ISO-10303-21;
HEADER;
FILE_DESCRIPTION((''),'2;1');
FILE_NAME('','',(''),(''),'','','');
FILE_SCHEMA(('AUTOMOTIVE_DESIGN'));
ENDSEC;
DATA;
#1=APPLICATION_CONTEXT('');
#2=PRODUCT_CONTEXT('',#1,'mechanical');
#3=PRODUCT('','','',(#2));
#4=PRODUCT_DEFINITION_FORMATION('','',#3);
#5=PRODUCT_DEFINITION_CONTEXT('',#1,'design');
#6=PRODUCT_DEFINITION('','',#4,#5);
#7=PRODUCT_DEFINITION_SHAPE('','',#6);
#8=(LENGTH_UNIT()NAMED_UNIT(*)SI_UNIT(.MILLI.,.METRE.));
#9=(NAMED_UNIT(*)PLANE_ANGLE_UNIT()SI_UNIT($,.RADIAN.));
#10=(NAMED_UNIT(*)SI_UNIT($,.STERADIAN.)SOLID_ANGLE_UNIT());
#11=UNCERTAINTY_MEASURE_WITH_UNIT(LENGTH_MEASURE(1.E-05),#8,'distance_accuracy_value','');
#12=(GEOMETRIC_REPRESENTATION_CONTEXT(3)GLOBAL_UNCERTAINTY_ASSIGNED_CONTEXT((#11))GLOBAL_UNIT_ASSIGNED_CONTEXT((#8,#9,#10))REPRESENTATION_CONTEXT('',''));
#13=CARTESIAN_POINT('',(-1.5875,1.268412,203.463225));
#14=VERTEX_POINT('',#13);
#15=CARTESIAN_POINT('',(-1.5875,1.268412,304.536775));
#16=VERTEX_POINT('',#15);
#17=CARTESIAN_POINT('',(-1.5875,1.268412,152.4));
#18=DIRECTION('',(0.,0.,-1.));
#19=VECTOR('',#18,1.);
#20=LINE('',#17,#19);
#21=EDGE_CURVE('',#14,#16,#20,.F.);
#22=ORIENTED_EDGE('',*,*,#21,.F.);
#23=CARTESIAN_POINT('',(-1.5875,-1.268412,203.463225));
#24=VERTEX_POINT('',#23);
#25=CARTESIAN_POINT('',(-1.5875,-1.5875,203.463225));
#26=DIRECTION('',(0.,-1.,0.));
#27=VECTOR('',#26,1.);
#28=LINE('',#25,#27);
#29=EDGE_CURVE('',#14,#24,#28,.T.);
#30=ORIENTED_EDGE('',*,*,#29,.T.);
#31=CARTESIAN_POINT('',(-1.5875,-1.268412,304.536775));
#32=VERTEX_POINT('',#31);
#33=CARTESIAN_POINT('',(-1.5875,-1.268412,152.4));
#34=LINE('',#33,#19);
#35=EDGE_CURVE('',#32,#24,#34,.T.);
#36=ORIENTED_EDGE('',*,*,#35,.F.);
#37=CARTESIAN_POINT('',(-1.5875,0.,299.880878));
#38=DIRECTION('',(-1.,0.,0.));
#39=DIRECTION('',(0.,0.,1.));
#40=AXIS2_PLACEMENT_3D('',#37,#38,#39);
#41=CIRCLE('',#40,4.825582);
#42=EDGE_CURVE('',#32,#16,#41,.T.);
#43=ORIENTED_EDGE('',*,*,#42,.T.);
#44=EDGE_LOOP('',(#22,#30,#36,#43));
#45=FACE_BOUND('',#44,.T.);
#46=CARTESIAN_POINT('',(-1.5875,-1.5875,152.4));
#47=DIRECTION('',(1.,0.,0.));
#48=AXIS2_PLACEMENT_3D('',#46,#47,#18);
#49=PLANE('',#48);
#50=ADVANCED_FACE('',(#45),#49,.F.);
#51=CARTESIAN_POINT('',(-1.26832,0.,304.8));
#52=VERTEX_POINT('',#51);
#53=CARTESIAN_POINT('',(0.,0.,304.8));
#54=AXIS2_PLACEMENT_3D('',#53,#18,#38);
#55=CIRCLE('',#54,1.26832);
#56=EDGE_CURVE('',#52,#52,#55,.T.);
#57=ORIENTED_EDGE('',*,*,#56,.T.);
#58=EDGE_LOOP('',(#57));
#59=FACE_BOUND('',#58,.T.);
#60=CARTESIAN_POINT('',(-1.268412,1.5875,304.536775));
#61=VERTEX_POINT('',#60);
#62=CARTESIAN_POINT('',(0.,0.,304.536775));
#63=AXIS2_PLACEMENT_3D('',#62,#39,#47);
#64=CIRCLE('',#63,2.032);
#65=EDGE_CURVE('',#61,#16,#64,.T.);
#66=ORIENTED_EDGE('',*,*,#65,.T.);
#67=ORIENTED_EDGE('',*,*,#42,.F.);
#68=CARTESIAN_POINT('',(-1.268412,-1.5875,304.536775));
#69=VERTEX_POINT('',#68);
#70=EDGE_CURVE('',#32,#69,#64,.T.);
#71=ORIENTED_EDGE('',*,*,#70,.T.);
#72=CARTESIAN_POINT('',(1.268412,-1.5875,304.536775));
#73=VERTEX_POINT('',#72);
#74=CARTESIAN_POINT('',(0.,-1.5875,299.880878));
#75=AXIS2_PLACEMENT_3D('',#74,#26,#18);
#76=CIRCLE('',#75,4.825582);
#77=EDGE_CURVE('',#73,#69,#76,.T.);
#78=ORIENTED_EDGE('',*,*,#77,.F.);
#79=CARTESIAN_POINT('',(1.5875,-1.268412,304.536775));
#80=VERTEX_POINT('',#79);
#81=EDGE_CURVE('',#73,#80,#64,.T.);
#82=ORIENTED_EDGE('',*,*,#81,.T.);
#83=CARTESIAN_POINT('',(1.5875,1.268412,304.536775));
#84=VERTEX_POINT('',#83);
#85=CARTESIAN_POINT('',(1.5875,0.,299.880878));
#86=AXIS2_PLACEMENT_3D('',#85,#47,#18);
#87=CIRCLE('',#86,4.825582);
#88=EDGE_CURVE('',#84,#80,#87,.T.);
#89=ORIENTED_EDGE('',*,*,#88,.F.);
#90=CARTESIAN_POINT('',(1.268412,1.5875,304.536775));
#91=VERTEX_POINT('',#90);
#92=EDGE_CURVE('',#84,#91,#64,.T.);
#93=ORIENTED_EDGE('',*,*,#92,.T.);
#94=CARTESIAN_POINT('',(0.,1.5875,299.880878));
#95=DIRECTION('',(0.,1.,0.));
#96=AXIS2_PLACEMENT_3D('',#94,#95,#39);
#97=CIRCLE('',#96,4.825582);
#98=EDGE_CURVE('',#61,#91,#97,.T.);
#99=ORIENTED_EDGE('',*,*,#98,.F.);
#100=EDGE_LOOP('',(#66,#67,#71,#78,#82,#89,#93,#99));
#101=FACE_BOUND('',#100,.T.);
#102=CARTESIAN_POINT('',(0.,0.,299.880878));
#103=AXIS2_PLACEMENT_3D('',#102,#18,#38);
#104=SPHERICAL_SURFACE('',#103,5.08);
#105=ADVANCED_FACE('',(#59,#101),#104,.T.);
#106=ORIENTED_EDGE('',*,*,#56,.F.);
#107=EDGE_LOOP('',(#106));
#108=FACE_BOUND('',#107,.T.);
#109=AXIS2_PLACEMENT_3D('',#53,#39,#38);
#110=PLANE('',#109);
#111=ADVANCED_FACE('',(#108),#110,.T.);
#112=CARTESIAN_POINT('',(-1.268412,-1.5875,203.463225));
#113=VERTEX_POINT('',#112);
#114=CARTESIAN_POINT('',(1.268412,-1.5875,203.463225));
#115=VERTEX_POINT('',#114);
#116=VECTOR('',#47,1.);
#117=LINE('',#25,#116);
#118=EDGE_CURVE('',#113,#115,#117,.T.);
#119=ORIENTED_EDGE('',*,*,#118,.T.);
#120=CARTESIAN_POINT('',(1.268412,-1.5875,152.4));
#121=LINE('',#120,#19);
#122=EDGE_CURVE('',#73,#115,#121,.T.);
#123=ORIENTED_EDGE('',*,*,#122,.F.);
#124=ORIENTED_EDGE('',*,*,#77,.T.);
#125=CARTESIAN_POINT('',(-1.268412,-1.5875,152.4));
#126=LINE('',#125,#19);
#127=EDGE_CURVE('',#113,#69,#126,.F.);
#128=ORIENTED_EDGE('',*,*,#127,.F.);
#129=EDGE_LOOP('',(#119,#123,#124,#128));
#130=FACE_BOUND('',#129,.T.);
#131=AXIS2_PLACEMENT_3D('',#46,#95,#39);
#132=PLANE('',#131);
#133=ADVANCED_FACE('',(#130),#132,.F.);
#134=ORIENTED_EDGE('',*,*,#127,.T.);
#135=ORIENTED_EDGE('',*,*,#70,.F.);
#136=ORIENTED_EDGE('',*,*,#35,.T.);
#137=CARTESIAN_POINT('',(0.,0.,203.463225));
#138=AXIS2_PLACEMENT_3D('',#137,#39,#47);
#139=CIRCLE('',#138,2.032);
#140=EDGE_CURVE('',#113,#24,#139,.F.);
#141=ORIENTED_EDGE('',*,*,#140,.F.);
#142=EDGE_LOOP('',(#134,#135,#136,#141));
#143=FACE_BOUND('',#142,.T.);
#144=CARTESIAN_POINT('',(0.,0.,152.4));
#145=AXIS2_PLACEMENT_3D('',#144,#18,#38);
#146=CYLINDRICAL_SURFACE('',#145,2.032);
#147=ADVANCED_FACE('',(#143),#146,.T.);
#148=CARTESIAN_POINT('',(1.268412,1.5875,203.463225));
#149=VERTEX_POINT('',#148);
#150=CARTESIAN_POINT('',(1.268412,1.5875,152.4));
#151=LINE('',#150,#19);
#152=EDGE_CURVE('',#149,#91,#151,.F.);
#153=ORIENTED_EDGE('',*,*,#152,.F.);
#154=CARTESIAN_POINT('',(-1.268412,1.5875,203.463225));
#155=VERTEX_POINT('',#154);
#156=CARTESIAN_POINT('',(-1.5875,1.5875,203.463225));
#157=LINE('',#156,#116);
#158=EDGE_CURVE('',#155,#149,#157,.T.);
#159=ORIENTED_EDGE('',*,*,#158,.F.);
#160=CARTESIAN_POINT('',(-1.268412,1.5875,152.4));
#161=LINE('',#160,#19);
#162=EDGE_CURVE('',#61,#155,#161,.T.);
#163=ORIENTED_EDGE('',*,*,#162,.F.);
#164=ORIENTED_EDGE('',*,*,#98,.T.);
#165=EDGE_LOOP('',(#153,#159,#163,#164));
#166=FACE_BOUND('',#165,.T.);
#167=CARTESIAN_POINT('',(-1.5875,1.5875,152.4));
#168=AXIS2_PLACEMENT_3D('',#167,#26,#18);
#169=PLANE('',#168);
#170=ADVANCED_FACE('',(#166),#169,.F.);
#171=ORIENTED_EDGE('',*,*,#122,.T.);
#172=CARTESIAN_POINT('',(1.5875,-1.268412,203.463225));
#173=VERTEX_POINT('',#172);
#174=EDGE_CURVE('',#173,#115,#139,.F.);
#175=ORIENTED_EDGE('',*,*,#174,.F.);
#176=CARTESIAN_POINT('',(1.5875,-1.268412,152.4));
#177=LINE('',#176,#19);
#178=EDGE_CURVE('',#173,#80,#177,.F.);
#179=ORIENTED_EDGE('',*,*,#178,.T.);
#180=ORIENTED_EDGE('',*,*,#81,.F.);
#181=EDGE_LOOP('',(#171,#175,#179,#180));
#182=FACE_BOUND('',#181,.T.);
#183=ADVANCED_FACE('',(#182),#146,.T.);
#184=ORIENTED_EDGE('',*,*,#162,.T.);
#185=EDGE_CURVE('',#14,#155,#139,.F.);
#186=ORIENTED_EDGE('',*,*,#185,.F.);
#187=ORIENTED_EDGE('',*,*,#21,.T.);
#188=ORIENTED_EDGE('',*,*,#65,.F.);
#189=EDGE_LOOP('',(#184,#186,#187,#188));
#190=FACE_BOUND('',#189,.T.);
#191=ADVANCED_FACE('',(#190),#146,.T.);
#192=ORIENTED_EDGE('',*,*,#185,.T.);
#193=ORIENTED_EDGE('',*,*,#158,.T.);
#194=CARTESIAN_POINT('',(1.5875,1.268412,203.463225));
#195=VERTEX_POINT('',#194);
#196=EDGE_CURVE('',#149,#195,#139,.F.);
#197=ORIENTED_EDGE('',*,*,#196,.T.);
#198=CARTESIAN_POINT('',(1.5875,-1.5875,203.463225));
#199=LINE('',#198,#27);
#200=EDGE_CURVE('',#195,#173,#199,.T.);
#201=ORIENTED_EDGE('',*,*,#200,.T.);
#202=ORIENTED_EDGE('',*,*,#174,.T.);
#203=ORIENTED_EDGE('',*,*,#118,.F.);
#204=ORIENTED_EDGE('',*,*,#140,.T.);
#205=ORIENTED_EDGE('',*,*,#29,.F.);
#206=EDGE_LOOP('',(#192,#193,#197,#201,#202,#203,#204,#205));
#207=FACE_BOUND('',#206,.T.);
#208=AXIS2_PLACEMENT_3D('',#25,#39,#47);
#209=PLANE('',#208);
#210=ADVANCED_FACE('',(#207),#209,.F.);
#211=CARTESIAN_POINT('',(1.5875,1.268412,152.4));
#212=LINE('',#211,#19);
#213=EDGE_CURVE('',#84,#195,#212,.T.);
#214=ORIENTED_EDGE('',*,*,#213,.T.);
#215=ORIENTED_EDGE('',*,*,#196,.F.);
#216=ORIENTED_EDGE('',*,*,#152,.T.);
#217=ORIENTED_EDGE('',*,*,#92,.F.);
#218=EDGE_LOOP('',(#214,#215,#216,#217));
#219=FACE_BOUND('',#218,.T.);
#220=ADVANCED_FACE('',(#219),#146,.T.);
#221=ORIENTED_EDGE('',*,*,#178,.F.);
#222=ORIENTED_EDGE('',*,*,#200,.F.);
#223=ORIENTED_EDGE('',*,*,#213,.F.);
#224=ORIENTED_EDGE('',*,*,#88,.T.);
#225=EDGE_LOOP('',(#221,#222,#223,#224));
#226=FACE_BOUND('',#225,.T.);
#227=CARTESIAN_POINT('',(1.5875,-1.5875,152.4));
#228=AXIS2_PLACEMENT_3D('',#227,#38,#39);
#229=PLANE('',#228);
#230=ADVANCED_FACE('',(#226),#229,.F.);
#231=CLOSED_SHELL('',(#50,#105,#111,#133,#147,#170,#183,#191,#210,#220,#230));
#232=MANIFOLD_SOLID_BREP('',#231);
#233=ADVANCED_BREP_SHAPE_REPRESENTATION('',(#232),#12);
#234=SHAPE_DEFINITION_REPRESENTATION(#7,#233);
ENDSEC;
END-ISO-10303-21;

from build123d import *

# Parameters (mm, degrees)
SKETCH1_W           = 3.175
SKETCH1_H           = 3.175
BOSS_EXTRUDE1_DEPTH = 152.4
SKETCH2_OUTSIDE_W   = 35.668
SKETCH2_OUTSIDE_H   = 35.668
SKETCH2_OUTSIDE_R   = 2.032
CUT_EXTRUDE1_DEPTH  = 153.4
CUT_EXTRUDE2_DEPTH  = 4.175


with BuildPart() as part:
    # Sketch1 → Boss-Extrude1 (new body)
    with BuildSketch(Plane.XY):
        Rectangle(SKETCH1_W, SKETCH1_H)
    extrude(amount=BOSS_EXTRUDE1_DEPTH)

    # Sketch2 outside → Cut-Extrude1 (cut, through all)
    with BuildSketch(Plane(origin=(0, 0, 0), x_dir=(-1, 0, 0), z_dir=(0, 0, -1))):
        Rectangle(SKETCH2_OUTSIDE_W, SKETCH2_OUTSIDE_H)
        Circle(SKETCH2_OUTSIDE_R, mode=Mode.SUBTRACT)
    extrude(amount=-CUT_EXTRUDE1_DEPTH, mode=Mode.SUBTRACT)

    # Sketch3 → Cut-Revolve1 (revolve, cut)
    with BuildSketch(Plane(origin=(0, 0, 0), x_dir=(1, 0, 0), z_dir=(0, 1, 0))):
        with BuildLine():
            Line((-5.053685963, -4.40273269), (-5.053685963, 5.740530545))
            Line((-5.053685963, 5.740530545), (0, 5.740530545))
            Line((0, 5.740530545), (0, 0.160877736))
            ThreePointArc((0, 0.160877736), (-3.404639553, -1.148866368), (-5.053685963, -4.40273269))
        make_face()
    revolve(axis=Axis((0, 0, 152.4), (0, 0, -1)), mode=Mode.SUBTRACT)

    # Mirror1: part across plane


with BuildPart() as part_1:
    add(part.part)
    add(part.part.mirror(Plane(origin=(0, 0, 152.4), x_dir=(1, 0, 0), z_dir=(0, 0, -1))))

    # Sketch4 → Cut-Extrude2 (cut, through all)
    with BuildSketch(Plane(origin=(1.5875, 0, 0), x_dir=(0, 0, -1), z_dir=(1, 0, 0))):
        Polygon((-0.263225358, -1.5875), (-203.463225358, -1.5875), (-203.463225358, 1.5875), (-0.263225358, 1.5875), (0.835678169, 1.5875), (0.835678169, -1.5875), align=None)
    extrude(amount=-CUT_EXTRUDE2_DEPTH, mode=Mode.SUBTRACT)


solid = part_1.part
